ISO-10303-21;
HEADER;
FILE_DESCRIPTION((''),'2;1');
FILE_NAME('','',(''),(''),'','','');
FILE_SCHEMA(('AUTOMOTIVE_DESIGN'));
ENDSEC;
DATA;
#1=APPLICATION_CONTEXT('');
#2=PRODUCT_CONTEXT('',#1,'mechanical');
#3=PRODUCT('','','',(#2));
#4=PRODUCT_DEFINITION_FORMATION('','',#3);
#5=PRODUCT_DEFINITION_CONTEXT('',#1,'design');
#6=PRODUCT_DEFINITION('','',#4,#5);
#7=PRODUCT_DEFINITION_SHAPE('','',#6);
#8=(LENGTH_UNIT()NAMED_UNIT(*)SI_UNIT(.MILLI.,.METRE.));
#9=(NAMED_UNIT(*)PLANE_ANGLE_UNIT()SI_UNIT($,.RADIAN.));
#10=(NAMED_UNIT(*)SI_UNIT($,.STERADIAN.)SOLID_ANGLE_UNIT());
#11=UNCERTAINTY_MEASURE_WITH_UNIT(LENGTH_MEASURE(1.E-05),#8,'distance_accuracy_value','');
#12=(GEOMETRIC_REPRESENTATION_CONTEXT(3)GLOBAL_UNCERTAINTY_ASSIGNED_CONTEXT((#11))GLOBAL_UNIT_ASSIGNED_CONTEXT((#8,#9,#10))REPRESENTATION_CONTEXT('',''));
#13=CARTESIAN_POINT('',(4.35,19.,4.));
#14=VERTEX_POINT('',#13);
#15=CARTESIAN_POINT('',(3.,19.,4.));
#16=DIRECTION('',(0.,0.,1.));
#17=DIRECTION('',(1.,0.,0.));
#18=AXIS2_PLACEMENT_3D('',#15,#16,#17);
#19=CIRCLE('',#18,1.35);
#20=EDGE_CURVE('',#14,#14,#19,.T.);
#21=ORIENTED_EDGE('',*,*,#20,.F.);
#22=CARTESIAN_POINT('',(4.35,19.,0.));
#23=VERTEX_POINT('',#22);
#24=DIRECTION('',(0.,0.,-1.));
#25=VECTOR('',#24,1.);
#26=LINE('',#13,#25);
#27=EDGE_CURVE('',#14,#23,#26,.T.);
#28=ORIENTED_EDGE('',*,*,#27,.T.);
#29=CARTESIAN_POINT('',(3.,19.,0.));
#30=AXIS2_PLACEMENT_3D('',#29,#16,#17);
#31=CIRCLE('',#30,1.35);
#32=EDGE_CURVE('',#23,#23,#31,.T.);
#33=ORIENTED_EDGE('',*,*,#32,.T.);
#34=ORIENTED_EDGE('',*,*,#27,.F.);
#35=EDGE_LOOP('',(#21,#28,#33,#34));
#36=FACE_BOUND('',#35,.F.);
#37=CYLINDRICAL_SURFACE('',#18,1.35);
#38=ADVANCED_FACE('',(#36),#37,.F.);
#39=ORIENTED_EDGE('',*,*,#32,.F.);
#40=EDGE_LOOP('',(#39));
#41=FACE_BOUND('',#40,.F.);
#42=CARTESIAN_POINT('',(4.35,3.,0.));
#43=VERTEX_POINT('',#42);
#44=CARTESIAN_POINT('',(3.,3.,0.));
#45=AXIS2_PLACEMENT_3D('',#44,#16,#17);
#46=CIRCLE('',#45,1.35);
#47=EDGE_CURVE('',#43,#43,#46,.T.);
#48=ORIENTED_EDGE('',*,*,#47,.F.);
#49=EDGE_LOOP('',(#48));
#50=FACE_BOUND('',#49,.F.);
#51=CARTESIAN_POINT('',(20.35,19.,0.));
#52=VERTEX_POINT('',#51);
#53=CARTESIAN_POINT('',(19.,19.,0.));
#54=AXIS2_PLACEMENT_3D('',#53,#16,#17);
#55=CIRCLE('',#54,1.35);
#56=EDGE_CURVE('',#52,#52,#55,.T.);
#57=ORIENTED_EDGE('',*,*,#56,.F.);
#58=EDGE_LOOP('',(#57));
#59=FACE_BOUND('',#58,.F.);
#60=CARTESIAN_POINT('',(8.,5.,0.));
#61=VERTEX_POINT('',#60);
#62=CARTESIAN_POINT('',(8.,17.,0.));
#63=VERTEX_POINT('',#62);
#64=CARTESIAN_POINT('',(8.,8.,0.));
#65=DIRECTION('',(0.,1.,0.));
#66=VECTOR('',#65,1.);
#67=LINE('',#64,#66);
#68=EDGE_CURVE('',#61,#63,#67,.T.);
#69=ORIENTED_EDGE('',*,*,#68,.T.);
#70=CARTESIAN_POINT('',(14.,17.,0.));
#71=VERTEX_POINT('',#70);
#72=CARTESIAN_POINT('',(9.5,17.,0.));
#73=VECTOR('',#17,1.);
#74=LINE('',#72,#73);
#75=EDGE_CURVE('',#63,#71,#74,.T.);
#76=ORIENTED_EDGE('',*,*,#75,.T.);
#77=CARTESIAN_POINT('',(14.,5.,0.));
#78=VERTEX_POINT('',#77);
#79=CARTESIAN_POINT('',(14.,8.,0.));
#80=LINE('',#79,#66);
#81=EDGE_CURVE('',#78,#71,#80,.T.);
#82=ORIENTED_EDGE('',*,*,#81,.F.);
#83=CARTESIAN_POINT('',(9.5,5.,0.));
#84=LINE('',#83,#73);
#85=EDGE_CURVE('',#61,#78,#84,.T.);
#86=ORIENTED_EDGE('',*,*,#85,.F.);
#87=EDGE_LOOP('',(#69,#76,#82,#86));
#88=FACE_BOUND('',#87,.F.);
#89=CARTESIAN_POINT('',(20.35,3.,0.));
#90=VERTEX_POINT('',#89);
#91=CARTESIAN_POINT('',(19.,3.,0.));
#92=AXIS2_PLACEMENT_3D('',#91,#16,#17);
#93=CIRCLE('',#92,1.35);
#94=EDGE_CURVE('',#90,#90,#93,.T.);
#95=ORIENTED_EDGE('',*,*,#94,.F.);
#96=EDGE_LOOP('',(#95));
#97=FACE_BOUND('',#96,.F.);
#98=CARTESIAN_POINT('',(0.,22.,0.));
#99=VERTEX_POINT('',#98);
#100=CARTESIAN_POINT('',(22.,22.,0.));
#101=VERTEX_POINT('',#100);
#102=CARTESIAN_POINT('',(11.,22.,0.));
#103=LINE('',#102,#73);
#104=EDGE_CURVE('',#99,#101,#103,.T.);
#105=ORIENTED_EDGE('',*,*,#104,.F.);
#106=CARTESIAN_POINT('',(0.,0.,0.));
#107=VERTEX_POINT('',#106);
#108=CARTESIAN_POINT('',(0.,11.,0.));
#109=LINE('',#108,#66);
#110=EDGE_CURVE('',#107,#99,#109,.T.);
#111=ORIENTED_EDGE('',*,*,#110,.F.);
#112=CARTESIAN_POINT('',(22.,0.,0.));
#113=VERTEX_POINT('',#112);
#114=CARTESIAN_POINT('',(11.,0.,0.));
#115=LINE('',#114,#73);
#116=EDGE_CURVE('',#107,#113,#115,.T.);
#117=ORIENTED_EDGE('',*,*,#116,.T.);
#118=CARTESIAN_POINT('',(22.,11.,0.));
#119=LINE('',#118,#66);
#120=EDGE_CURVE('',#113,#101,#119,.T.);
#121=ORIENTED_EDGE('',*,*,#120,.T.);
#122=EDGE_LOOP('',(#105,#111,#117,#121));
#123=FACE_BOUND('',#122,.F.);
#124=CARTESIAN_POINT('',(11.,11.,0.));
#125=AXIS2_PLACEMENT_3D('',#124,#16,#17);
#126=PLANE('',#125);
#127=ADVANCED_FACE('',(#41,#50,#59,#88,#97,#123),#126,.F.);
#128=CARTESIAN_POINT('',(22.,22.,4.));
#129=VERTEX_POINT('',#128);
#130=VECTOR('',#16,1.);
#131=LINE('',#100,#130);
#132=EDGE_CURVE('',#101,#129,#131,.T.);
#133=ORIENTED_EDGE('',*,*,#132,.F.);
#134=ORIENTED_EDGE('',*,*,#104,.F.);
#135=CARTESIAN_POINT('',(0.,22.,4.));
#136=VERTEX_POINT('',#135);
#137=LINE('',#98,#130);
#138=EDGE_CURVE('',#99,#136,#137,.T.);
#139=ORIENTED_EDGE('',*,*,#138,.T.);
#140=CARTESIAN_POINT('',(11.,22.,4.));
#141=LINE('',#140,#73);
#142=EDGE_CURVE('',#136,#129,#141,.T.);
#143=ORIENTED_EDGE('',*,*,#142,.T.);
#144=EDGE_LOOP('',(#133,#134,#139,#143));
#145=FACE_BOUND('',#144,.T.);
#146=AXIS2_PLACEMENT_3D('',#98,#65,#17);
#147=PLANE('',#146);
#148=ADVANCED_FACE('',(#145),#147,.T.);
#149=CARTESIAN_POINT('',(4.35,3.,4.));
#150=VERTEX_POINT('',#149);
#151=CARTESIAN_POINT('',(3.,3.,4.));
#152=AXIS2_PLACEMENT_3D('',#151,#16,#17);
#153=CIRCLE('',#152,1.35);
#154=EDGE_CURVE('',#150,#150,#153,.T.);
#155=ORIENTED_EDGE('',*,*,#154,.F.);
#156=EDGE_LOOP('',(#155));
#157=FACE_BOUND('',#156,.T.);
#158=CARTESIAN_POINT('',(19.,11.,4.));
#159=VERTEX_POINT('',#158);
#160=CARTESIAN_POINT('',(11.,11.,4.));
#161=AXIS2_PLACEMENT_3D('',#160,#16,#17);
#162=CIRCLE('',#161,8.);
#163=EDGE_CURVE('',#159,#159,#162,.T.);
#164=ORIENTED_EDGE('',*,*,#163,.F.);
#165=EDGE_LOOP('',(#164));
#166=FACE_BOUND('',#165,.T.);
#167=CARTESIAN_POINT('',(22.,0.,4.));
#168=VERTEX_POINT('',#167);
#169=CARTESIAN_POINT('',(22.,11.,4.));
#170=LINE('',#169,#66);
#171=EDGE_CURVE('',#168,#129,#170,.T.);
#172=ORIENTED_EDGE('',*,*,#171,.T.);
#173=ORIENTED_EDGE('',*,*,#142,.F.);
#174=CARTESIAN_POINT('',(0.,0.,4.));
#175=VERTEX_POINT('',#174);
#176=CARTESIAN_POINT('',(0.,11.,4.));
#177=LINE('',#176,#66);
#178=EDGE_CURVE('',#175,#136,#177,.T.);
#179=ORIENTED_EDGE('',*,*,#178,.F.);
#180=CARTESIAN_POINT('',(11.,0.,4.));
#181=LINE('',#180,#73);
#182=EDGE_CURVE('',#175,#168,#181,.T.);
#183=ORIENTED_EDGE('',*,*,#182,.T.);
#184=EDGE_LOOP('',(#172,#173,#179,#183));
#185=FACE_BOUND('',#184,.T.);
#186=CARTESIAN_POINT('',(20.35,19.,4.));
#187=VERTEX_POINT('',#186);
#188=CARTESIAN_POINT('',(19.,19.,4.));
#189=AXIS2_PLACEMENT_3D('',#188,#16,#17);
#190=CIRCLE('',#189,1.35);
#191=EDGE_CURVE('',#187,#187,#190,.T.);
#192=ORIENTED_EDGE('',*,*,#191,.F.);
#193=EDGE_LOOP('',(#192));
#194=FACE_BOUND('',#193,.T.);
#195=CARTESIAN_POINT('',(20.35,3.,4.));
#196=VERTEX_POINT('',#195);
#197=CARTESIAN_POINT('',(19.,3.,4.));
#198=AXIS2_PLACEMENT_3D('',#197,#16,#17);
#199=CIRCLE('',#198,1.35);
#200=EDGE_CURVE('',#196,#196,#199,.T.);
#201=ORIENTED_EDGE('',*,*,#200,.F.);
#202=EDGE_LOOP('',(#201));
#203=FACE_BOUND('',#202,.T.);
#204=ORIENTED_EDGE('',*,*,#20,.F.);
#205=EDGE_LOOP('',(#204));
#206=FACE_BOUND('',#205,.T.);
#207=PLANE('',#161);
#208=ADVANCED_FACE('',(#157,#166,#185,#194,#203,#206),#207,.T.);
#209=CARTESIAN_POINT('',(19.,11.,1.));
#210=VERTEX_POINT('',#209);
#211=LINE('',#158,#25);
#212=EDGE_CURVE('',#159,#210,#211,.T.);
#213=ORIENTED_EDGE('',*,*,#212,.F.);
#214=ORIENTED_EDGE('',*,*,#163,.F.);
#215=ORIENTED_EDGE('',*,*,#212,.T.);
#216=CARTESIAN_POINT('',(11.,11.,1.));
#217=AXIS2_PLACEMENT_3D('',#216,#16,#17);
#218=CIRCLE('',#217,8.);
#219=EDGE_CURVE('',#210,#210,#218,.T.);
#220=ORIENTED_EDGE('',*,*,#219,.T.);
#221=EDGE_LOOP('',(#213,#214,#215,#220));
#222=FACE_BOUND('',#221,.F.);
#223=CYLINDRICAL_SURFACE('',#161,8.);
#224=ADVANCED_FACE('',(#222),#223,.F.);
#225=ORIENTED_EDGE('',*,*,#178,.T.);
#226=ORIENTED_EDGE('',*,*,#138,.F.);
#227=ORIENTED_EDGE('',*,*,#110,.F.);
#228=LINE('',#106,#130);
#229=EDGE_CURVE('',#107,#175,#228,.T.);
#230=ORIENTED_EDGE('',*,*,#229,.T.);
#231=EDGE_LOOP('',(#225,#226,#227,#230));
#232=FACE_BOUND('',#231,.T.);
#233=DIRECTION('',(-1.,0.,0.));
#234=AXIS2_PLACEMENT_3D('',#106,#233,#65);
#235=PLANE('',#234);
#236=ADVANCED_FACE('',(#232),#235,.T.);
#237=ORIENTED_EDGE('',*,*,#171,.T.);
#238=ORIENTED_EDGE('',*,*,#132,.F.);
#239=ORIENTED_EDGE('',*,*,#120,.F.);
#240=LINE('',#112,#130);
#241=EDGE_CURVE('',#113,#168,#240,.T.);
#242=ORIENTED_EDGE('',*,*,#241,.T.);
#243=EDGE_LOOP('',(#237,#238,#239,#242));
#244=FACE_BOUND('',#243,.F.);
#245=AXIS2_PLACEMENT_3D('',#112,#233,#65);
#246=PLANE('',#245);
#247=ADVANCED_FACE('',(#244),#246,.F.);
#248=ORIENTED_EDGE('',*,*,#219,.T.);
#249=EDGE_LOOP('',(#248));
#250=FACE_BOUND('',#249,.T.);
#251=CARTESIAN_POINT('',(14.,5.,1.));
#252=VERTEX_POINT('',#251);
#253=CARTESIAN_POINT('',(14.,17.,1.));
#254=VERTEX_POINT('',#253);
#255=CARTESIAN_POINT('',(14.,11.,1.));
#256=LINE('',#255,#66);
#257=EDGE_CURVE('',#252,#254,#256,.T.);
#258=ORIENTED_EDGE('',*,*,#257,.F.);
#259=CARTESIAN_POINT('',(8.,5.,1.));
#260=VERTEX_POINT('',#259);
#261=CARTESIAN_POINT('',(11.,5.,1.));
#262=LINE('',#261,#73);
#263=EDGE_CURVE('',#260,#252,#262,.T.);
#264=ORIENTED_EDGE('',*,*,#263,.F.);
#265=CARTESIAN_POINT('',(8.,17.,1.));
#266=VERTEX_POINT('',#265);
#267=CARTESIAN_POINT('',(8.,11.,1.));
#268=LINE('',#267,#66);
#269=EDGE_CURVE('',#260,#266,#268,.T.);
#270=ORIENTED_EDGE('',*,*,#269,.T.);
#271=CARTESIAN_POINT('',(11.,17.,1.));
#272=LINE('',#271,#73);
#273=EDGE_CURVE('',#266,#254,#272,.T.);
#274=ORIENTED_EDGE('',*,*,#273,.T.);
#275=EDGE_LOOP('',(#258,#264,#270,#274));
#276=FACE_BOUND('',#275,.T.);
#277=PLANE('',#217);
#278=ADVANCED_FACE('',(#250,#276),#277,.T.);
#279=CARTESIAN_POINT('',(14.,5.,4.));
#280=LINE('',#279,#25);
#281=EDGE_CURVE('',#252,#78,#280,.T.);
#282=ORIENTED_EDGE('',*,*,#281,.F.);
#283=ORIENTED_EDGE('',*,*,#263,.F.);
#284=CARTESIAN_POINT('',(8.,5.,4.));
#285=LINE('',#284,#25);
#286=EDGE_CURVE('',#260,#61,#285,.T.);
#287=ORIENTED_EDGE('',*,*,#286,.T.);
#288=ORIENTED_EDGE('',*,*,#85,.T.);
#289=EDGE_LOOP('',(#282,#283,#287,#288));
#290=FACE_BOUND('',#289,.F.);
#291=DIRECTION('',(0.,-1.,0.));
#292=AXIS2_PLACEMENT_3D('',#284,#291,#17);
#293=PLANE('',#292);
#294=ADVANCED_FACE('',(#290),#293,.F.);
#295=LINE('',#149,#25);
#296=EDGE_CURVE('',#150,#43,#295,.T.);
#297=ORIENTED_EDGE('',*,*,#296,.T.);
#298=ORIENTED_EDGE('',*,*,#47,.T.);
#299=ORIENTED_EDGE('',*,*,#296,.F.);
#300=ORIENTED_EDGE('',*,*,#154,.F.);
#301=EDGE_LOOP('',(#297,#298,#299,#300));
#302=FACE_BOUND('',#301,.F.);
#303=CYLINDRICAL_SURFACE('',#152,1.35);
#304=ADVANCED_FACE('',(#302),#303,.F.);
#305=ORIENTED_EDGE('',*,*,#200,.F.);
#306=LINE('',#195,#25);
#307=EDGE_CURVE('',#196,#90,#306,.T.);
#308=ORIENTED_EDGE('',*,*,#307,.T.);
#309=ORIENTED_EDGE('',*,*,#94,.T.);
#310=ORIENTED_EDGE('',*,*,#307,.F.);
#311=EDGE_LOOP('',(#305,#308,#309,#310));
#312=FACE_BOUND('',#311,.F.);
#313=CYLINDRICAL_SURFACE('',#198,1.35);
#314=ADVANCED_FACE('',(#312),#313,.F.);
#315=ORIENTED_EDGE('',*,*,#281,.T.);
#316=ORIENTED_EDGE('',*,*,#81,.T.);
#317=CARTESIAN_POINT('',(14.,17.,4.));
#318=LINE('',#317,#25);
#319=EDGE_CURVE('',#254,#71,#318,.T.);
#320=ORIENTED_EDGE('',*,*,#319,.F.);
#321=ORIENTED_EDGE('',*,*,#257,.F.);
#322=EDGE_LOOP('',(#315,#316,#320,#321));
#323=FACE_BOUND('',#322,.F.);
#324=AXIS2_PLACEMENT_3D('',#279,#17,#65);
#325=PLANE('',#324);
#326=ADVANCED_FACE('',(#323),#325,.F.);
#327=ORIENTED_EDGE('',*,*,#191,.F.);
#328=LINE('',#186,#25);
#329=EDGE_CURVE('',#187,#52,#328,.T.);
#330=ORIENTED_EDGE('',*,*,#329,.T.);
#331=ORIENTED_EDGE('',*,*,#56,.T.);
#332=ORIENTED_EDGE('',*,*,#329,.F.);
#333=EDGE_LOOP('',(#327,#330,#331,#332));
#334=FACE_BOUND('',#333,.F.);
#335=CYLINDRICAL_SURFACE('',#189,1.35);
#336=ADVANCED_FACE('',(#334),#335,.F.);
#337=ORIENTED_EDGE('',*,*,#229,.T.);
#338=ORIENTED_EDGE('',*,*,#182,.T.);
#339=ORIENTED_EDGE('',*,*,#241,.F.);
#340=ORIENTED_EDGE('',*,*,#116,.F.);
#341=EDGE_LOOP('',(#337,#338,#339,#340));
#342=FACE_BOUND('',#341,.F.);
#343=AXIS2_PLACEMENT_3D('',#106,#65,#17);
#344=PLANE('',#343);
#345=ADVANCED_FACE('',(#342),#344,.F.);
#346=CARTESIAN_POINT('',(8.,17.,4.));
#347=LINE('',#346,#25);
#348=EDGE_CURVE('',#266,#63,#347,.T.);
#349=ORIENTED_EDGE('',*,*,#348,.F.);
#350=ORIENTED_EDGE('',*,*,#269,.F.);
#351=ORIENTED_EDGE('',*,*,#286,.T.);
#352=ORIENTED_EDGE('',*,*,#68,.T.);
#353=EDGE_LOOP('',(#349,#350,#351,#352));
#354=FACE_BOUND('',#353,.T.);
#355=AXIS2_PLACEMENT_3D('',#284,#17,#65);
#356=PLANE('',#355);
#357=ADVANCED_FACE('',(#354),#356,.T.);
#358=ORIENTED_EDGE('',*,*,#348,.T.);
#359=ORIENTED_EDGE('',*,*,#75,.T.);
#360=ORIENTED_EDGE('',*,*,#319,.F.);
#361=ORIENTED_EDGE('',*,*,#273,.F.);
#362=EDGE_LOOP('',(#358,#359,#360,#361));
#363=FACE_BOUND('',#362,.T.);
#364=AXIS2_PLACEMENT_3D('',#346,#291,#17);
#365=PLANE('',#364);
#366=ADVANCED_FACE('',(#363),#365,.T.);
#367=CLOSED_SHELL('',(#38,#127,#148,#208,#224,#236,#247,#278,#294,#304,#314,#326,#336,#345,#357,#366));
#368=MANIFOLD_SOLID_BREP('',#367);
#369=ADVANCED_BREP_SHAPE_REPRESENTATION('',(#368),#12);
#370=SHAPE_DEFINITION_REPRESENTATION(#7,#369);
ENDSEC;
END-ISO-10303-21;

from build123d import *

# Parameters (mm, degrees)
F0_W     = 22
F0_H     = 22
F1_DEPTH = 4
F3_R     = 1.35
F4_DEPTH = 4.001
F5_W     = 6
F5_H     = 12
F6_DEPTH = 4.001
F5_R     = 8
F7_DEPTH = 3


with BuildPart() as f1:
    # F0 (on Top) → F1 (new body)
    with BuildSketch(Plane.XY):
        with Locations((11, 11)):
            Rectangle(F0_W, F0_H)
    extrude(amount=F1_DEPTH)

    # F3 (on face) → F4 (cut, through all)
    with BuildSketch(Plane.XY.offset(4)):
        with Locations((3, 3)):
            Circle(F3_R)
        with Locations((3, 19)):
            Circle(F3_R)
        with Locations((19, 3)):
            Circle(F3_R)
        with Locations((19, 19)):
            Circle(F3_R)
    extrude(amount=-F4_DEPTH, mode=Mode.SUBTRACT)

    # F5 (on face) → F6 (cut, through all)
    with BuildSketch(Plane.XY.offset(4)):
        with Locations((11, 11)):
            Rectangle(F5_W, F5_H)
    extrude(amount=-F6_DEPTH, mode=Mode.SUBTRACT)

    # F5 (on face) → F7 (cut, through all)
    with BuildSketch(Plane.XY.offset(4)):
        with Locations((11, 11)):
            Circle(F5_R)
        with Locations((11, 11)):
            Rectangle(F5_W, F5_H, mode=Mode.SUBTRACT)
    extrude(amount=-F7_DEPTH, mode=Mode.SUBTRACT)


solid = f1.part
